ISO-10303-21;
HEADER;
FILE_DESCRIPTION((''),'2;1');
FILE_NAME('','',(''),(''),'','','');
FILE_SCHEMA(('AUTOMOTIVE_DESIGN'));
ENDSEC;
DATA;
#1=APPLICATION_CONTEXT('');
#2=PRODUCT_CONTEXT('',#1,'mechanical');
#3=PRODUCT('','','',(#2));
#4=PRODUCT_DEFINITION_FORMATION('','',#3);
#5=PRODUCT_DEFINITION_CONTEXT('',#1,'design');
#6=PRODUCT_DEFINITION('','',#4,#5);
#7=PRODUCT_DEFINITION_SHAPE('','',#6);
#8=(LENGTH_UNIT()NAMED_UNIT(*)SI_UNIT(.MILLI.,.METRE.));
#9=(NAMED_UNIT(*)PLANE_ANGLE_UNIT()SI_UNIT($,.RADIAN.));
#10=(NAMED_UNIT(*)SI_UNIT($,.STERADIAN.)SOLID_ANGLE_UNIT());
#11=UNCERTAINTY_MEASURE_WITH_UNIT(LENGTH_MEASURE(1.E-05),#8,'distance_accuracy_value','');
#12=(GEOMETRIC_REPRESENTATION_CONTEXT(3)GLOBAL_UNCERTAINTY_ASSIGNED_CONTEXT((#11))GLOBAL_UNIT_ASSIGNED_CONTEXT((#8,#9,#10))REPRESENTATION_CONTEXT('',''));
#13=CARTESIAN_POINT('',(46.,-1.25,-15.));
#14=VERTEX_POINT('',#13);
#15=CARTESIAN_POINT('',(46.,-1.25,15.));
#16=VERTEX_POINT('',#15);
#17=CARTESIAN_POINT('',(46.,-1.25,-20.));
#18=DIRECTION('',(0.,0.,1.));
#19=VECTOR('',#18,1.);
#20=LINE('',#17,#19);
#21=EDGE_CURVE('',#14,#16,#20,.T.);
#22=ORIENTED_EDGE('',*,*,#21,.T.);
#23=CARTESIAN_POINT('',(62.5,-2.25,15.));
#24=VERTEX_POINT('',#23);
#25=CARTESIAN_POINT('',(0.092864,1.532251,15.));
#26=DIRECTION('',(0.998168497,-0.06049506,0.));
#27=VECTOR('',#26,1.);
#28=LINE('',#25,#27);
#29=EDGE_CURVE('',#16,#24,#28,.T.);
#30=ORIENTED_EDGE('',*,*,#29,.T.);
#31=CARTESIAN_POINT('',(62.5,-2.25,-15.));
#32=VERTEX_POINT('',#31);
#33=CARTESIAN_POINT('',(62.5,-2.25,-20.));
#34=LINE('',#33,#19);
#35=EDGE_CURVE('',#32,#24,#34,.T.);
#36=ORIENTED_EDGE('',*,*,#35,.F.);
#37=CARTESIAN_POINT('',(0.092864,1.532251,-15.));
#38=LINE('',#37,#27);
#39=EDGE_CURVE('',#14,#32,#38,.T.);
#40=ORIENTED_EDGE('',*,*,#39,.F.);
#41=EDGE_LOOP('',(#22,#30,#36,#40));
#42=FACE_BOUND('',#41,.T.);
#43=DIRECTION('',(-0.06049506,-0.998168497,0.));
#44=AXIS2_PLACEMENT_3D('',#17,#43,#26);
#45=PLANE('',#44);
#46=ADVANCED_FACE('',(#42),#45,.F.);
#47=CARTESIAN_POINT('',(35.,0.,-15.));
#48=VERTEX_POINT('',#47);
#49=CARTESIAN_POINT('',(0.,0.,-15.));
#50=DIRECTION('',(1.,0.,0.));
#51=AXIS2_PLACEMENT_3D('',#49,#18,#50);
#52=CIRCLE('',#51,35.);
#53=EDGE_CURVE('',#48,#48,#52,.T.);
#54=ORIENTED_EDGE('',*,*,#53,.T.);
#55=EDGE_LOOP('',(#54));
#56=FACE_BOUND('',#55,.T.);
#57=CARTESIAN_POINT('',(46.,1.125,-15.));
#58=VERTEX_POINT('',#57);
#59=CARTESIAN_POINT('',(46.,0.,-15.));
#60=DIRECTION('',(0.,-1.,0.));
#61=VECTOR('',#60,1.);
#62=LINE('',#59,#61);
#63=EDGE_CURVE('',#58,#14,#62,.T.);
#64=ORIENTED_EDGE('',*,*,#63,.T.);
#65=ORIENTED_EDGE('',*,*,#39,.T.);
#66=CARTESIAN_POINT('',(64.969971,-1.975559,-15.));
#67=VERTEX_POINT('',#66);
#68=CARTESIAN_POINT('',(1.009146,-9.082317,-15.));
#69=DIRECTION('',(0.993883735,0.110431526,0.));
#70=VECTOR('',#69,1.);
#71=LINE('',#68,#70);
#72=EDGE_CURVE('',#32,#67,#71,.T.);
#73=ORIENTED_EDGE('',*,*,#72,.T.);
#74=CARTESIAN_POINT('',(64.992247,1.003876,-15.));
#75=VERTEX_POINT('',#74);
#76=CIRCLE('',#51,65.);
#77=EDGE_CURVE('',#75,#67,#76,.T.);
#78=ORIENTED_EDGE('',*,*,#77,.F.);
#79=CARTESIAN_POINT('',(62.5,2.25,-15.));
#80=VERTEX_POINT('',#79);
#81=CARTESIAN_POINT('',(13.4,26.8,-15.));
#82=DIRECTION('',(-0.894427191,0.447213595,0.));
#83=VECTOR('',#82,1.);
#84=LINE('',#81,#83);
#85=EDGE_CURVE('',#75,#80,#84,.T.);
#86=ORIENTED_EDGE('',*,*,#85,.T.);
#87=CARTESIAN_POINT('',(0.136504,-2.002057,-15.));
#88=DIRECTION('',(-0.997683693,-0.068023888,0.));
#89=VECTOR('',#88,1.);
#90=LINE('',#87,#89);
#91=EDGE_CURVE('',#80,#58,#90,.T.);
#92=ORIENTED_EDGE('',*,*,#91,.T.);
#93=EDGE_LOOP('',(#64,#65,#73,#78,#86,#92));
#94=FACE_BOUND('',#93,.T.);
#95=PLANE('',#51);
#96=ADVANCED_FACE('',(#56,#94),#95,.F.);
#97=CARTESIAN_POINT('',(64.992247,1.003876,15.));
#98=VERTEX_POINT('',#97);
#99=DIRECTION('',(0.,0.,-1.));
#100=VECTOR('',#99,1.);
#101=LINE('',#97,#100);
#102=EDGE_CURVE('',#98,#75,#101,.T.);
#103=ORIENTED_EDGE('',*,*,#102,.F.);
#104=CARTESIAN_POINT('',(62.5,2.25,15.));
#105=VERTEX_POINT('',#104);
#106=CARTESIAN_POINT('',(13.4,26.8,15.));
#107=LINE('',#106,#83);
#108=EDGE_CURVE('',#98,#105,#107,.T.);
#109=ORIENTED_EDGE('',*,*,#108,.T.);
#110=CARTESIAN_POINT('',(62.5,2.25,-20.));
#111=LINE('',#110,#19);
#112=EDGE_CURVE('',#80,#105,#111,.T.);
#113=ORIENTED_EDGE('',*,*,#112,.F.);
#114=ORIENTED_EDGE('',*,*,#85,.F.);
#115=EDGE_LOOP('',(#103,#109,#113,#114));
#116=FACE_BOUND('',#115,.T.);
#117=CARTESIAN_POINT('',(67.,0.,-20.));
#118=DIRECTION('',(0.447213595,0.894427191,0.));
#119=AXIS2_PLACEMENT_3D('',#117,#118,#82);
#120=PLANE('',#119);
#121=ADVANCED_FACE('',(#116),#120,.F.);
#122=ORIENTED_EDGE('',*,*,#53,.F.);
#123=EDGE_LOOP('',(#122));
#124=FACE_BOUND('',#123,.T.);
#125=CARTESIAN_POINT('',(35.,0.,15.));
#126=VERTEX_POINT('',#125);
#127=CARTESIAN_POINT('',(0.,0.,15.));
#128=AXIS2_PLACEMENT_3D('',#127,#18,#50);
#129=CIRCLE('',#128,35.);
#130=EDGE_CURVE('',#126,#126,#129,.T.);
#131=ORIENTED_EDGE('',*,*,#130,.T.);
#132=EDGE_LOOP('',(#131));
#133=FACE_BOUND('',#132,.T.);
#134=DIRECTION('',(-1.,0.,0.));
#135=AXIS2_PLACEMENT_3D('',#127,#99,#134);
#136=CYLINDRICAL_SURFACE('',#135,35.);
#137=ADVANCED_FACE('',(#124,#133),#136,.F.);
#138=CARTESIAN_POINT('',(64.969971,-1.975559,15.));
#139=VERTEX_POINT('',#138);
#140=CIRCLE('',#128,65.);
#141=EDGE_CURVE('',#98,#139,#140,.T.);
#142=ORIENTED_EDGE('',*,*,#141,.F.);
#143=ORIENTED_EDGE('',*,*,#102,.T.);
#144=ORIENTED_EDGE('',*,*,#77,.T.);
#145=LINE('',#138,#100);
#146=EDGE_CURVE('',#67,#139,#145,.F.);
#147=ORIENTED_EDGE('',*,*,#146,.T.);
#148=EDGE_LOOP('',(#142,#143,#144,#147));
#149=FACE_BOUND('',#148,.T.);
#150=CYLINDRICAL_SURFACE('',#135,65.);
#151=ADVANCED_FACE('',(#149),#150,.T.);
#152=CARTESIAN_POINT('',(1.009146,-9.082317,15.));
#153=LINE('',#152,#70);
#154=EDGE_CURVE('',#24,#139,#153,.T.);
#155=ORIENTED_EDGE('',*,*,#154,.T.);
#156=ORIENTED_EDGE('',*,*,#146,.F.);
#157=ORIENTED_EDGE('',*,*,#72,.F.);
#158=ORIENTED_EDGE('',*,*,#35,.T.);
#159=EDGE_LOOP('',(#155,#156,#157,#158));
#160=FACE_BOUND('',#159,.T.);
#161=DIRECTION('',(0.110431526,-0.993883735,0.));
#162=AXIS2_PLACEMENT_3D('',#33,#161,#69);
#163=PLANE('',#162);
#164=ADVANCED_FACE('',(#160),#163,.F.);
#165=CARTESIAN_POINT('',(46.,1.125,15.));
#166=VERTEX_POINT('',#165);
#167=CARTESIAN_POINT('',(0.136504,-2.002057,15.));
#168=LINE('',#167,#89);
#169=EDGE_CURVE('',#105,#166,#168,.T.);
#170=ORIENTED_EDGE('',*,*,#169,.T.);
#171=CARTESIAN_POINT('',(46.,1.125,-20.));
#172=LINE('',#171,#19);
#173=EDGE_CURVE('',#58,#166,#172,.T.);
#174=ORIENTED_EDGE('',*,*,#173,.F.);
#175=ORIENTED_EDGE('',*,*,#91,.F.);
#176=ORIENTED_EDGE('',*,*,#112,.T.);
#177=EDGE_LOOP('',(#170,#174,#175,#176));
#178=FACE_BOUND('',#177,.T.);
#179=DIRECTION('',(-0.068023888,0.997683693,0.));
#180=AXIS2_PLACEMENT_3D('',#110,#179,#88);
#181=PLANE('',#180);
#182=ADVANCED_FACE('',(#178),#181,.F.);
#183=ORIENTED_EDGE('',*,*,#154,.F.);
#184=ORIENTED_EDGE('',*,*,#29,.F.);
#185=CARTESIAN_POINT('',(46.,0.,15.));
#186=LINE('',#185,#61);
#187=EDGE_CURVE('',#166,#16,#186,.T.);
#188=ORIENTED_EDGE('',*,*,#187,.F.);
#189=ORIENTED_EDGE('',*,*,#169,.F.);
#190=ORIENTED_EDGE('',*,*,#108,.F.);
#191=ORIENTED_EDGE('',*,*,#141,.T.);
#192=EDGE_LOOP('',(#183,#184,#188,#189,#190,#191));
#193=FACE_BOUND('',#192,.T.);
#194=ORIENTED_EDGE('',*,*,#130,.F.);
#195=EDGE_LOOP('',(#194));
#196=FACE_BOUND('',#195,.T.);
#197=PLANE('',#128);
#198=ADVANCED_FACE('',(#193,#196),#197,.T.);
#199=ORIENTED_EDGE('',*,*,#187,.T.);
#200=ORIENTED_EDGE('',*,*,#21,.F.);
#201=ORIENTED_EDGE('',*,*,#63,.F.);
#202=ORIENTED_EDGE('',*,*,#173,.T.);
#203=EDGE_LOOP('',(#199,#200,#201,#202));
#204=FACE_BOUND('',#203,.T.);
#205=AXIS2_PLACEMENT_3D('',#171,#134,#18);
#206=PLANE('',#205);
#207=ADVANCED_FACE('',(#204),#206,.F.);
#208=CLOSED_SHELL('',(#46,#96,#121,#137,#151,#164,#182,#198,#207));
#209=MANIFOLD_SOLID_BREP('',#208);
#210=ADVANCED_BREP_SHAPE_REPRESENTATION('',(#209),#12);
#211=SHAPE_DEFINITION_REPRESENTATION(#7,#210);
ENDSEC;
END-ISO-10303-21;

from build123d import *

# Parameters (mm, degrees)
SKETCH_1_R          = 65
SKETCH_1_R_2        = 35
STATOR_BLANK_DEPTH  = 15
SLOT_CUT_TEST_DEPTH = 20


with BuildPart() as part:
    # Эскиз1 → Stator_blank (new, symmetric)
    with BuildSketch(Plane.XY):
        Circle(SKETCH_1_R)
        Circle(SKETCH_1_R_2, mode=Mode.SUBTRACT)
    extrude(amount=STATOR_BLANK_DEPTH, both=True)

    # Эскиз2 → Slot_cut_test (cut, symmetric)
    with BuildSketch(Plane.XY):
        Polygon((46, -1.25), (62.5, -2.25), (67, -1.75), (67, 0), (62.5, 2.25), (46, 1.125), align=None)
    extrude(amount=SLOT_CUT_TEST_DEPTH, both=True, mode=Mode.SUBTRACT)


solid = part.part
